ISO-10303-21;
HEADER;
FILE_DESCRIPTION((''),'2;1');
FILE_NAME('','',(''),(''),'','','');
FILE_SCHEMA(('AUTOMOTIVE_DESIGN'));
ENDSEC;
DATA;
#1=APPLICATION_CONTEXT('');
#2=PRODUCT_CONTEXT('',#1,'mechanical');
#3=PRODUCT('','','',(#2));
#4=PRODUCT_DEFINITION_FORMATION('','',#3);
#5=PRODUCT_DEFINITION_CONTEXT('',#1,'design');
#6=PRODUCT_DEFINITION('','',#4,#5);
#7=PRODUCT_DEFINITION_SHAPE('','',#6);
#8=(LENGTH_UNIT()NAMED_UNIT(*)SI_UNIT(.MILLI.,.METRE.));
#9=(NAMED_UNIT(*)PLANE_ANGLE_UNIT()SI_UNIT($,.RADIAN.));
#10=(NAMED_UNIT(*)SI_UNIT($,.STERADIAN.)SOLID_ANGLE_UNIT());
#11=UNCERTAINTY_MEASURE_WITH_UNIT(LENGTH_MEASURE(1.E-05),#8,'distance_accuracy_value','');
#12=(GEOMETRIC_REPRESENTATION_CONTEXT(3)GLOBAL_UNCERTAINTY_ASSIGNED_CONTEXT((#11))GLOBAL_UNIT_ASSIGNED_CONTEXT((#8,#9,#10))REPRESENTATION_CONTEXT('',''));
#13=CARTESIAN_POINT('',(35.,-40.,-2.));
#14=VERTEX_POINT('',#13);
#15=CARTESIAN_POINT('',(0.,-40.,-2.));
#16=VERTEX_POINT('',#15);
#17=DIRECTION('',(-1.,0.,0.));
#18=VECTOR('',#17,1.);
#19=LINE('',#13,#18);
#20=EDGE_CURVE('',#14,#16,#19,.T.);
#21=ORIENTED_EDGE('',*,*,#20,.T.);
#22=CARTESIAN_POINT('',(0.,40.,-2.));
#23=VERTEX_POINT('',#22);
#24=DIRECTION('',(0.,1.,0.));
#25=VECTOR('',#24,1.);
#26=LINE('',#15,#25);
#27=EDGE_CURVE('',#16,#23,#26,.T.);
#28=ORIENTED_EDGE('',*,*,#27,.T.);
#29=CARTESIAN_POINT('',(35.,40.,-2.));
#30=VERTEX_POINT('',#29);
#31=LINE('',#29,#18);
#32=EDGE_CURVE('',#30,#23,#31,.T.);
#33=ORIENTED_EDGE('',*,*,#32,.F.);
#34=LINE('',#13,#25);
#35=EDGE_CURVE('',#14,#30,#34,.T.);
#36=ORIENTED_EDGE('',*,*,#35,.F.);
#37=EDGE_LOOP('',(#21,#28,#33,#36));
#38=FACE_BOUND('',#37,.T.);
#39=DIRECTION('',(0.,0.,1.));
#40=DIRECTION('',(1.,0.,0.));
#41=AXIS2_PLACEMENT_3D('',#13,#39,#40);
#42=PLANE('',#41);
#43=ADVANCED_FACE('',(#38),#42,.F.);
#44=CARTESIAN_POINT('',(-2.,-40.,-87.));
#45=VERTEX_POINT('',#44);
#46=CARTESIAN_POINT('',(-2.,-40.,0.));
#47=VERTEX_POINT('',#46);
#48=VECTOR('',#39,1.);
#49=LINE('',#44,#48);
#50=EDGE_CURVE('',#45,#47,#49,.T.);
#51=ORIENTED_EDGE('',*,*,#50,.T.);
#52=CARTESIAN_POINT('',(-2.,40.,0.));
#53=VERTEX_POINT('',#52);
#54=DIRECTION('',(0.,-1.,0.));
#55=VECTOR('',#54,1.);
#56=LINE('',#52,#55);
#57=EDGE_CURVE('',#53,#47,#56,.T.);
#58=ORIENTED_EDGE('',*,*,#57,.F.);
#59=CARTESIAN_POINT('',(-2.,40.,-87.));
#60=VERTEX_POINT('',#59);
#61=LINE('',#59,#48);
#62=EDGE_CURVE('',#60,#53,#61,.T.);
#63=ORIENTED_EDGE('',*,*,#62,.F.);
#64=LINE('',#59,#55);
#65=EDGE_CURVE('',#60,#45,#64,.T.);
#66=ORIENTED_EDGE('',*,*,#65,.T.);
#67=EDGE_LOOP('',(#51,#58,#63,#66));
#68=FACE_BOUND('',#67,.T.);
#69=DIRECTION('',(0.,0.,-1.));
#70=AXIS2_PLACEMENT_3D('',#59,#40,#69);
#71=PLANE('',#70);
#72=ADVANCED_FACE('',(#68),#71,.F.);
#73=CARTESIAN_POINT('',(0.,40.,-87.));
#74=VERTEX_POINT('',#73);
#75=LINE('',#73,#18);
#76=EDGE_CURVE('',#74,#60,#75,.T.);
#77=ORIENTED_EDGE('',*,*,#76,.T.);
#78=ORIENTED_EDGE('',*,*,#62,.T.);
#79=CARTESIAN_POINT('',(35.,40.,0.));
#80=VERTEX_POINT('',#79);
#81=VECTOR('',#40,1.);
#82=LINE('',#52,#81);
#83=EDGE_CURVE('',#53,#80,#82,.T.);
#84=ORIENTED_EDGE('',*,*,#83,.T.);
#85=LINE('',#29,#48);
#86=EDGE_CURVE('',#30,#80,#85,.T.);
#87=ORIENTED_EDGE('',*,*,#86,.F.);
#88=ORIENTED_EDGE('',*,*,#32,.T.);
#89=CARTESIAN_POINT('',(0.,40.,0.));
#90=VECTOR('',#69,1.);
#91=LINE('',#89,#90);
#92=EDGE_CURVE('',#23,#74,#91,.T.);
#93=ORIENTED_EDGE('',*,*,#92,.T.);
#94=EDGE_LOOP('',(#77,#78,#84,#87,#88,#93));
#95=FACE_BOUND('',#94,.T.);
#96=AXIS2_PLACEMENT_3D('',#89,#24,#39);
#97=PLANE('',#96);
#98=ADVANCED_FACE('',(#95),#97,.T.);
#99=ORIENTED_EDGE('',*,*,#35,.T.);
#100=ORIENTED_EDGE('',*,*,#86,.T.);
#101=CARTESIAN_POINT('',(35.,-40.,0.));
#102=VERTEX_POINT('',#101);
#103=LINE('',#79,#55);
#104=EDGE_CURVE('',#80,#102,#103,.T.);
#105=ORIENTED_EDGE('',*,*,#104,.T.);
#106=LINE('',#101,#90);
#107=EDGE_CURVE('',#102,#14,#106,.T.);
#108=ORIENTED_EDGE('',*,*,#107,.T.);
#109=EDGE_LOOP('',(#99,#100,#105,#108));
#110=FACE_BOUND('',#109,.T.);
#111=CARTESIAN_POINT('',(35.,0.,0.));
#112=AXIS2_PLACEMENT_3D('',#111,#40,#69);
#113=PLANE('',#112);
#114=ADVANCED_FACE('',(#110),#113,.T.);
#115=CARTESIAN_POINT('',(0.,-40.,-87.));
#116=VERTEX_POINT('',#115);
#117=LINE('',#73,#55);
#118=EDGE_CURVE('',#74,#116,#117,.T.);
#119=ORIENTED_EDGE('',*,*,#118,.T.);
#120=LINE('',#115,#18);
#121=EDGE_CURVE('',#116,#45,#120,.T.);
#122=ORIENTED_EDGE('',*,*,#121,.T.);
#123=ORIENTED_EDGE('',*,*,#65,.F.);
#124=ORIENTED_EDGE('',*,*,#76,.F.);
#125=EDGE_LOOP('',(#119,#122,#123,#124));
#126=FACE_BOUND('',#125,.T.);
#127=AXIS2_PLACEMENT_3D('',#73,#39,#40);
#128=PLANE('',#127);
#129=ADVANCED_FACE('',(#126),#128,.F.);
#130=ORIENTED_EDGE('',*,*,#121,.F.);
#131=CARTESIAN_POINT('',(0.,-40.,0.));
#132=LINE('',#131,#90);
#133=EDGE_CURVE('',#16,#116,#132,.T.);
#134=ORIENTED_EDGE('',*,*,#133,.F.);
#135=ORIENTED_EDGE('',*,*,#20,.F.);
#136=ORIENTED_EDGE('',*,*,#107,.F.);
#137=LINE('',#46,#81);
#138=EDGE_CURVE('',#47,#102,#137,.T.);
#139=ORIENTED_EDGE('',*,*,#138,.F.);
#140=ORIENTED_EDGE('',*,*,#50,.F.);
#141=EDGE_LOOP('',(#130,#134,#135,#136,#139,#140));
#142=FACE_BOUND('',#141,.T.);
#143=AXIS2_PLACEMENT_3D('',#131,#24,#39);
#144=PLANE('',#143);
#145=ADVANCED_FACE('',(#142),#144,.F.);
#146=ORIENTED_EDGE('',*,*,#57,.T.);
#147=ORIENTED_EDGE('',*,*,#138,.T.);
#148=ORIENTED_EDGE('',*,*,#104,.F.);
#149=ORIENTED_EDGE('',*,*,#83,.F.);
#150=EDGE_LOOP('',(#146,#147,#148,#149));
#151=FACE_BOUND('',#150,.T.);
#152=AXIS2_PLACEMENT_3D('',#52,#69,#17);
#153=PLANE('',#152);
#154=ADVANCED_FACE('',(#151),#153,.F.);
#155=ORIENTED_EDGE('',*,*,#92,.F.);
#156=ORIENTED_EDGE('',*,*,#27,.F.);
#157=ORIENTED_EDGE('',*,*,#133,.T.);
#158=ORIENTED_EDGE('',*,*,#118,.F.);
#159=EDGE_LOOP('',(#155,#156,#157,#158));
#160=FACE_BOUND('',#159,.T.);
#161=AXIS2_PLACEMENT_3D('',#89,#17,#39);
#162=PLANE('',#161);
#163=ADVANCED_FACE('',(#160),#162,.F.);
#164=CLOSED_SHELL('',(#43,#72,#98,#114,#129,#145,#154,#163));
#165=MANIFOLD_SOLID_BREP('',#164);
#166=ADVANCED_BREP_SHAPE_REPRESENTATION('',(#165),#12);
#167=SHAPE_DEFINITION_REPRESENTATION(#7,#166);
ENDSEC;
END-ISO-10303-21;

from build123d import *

# Parameters (mm, degrees)
SKETCH_1_W      = 2
SKETCH_1_H      = 87
EXTRUDE_1_DEPTH = 40
SKETCH_2_W      = 2
SKETCH_2_H      = 80
EXTRUDE_2_DEPTH = 35


with BuildPart() as part:
    # 草图1 → 凸台-拉伸1 (new body, symmetric)
    with BuildSketch(Plane(origin=(0, 0, 0), x_dir=(1, 0, 0), z_dir=(0, 1, 0))):
        with Locations((-1, 43.5)):
            Rectangle(SKETCH_1_W, SKETCH_1_H)
    extrude(amount=EXTRUDE_1_DEPTH, both=True)

    # 草图2 → 凸台-拉伸2 (add)
    with BuildSketch(Plane(origin=(0, 0, 0), x_dir=(0, 0, -1), z_dir=(1, 0, 0))):
        with Locations((1, 0)):
            Rectangle(SKETCH_2_W, SKETCH_2_H)
    extrude(amount=EXTRUDE_2_DEPTH)


solid = part.part
